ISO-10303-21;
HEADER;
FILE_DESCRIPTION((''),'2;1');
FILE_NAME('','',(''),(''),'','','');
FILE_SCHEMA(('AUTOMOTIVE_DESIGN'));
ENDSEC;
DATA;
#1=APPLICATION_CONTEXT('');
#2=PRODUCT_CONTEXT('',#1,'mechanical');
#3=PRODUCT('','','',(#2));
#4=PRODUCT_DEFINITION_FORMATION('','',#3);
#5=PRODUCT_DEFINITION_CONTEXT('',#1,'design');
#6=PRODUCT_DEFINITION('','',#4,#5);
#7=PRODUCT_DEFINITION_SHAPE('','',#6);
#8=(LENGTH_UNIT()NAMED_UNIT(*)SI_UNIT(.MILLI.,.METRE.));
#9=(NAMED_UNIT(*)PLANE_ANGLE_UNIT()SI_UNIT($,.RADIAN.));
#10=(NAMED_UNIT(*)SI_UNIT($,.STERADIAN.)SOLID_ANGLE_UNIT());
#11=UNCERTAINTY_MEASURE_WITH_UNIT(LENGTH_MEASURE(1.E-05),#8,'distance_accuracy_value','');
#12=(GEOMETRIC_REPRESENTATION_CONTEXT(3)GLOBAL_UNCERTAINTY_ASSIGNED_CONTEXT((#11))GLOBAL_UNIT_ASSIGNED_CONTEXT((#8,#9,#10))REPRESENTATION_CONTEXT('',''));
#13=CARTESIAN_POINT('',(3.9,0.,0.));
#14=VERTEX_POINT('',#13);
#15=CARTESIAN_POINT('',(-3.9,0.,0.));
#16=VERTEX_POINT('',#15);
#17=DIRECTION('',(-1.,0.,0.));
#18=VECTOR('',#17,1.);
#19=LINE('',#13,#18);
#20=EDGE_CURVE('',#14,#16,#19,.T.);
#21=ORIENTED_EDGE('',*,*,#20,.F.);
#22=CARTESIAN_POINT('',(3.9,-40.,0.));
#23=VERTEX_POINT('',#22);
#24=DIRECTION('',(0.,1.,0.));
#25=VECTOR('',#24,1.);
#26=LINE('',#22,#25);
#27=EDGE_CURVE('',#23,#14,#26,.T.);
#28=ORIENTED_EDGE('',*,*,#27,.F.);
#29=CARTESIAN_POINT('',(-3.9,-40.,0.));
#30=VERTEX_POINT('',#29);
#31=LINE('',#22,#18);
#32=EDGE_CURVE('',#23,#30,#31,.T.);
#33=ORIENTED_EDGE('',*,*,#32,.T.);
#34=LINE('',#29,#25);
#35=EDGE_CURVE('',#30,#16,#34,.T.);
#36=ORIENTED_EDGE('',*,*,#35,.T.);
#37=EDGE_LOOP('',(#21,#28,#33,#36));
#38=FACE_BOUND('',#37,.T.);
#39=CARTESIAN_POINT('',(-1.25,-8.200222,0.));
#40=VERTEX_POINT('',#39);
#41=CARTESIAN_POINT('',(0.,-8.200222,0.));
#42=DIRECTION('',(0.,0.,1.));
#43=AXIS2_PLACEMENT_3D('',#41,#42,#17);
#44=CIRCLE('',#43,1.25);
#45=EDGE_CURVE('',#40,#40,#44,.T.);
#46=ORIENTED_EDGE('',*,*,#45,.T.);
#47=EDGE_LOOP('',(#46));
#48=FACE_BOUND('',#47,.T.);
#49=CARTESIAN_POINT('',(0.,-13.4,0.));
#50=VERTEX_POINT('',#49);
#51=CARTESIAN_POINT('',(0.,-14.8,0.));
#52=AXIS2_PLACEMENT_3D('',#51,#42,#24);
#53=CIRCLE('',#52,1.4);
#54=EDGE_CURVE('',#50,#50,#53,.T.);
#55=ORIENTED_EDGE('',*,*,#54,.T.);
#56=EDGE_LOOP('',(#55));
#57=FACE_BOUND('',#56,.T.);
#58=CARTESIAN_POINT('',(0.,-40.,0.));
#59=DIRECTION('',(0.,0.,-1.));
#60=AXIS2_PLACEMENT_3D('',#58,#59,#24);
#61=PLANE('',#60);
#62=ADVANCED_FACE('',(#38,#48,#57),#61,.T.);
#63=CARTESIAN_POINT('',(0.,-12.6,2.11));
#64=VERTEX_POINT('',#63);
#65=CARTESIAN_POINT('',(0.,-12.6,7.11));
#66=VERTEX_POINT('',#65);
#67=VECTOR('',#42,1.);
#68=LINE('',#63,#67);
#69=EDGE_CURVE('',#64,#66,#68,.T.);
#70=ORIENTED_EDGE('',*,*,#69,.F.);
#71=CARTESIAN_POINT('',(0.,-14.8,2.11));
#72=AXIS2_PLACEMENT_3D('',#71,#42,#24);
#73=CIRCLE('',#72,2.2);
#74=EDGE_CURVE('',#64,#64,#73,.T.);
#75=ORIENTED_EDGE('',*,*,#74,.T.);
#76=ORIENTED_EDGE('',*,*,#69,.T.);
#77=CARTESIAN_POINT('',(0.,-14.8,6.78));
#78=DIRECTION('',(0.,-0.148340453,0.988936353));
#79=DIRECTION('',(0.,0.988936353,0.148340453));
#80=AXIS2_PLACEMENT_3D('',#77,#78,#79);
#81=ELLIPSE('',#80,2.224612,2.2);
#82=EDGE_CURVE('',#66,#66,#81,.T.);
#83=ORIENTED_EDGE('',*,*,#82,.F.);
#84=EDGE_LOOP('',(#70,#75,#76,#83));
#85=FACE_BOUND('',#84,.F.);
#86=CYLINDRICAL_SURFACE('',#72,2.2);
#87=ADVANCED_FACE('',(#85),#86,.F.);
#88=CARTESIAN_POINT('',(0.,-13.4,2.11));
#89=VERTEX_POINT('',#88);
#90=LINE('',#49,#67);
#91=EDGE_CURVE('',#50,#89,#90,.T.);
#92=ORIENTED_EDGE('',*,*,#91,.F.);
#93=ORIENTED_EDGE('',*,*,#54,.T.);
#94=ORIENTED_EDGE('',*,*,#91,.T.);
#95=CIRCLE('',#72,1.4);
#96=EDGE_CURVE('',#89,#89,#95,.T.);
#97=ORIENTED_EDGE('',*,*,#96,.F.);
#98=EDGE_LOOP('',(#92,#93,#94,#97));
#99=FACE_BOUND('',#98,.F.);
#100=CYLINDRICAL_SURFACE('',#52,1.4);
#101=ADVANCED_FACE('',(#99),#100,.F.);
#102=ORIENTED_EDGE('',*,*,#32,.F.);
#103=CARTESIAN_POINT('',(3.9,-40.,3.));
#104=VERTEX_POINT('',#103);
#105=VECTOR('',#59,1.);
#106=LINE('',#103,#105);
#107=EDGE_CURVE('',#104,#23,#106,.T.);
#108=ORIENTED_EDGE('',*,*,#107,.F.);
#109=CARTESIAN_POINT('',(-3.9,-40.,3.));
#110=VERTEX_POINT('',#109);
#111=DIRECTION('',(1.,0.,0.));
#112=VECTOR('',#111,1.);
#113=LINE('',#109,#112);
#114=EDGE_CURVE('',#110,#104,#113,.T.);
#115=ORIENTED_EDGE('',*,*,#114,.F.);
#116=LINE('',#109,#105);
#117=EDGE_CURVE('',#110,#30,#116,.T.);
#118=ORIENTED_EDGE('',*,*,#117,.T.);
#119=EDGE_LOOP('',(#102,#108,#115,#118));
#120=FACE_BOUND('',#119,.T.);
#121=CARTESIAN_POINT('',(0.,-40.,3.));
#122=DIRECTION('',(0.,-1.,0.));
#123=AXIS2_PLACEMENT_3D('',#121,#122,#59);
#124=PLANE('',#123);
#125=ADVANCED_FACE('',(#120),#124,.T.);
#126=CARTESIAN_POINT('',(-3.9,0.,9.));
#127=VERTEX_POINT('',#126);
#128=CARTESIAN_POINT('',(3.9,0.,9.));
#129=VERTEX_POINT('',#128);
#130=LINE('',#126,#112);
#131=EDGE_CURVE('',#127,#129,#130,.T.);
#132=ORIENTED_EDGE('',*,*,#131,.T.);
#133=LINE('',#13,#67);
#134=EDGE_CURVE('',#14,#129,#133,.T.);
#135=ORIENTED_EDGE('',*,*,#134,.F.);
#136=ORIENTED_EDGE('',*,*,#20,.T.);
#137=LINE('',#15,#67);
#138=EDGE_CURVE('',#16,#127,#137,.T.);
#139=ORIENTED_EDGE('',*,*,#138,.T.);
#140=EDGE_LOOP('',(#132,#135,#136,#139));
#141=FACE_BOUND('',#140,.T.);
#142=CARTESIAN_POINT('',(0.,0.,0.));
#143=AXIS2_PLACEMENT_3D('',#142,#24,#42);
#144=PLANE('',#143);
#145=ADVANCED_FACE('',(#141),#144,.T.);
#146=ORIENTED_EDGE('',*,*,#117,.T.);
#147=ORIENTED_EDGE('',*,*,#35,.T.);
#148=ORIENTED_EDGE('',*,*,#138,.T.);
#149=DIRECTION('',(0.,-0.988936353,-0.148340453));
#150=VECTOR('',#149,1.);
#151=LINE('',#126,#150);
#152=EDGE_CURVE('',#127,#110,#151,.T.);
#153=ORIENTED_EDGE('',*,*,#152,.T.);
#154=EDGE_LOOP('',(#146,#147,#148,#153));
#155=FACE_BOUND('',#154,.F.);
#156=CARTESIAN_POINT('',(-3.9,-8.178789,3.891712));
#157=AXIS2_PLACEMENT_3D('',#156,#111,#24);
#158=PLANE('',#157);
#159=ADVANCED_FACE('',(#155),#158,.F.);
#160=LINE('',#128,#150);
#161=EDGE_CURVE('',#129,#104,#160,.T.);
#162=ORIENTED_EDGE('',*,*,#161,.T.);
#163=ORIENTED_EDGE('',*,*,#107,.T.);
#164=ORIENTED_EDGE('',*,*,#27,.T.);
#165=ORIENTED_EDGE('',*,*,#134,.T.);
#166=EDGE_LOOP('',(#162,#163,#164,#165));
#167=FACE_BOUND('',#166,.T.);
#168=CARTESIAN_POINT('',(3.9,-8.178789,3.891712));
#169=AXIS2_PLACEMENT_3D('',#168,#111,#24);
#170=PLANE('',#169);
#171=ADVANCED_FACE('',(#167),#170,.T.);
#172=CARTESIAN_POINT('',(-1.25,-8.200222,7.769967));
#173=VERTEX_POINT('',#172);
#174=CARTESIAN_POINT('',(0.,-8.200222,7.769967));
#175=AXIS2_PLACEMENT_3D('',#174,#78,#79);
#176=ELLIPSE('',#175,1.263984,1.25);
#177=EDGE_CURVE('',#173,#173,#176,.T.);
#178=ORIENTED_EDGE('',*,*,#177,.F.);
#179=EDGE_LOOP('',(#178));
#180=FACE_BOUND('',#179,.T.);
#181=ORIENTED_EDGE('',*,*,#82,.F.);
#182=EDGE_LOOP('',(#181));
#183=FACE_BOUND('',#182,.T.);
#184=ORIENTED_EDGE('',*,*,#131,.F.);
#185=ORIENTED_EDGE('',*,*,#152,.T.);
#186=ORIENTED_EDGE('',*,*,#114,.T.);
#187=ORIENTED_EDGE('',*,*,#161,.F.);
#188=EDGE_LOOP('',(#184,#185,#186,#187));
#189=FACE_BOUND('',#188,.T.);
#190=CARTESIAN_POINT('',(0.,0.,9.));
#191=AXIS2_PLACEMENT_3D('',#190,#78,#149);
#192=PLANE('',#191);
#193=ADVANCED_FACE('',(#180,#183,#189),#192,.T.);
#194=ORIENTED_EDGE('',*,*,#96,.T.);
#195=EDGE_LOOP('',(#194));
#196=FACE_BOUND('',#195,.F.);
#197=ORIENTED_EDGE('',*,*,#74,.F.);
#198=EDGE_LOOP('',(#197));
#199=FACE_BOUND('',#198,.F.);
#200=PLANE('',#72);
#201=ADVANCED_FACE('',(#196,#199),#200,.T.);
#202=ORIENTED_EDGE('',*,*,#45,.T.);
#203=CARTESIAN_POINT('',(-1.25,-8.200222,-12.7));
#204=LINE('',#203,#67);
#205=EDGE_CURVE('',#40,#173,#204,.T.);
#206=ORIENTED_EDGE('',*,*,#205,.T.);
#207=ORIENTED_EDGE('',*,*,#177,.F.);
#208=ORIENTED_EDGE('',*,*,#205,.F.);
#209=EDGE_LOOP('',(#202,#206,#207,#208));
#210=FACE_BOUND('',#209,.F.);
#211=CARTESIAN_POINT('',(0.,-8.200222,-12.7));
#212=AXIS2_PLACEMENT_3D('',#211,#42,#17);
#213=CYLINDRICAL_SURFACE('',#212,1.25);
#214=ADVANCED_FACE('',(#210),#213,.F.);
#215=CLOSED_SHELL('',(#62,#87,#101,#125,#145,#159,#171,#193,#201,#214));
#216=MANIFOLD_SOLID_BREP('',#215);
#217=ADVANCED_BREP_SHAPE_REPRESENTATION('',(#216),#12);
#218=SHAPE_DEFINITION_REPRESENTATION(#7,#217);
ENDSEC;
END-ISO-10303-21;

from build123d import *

# Parameters (mm, degrees)
F1_DEPTH = 3.9
F3_D     = 2.5
F3_DEPTH = 12.7
F4_D     = 2.5
F4_DEPTH = 12.7


with BuildPart() as f1:
    # F0 (on Right) → F1 (new body, symmetric)
    with BuildSketch(Plane.YZ):
        Polygon((-9.4, 0), (-7, 0), (-7, 7.95), (-9.4, 7.59), align=None)
        Polygon((-40, 0), (-16.2, 0), (-16.2, 2.11), (-17, 2.11), (-17, 4.11), (-17, 6.45), (-40, 3), align=None)
        Polygon((-14.8, 0), (-13.4, 0), (-13.4, 2.11), (-12.6, 2.11), (-12.6, 4.11), (-12.6, 7.11), (-14.8, 6.78), align=None)
        Polygon((-7, 0), (0, 0), (0, 9), (-7, 7.95), align=None)
        Polygon((-16.2, 0), (-14.8, 0), (-14.8, 6.78), (-17, 6.45), (-17, 4.11), (-17, 2.11), (-16.2, 2.11), align=None)
        Polygon((-13.4, 0), (-9.4, 0), (-9.4, 7.59), (-12.6, 7.11), (-12.6, 4.11), (-12.6, 2.11), (-13.4, 2.11), align=None)
    extrude(amount=F1_DEPTH, both=True)

    # F3
    with Locations(Plane(origin=(0, 0, 0), x_dir=(1, 0, 0), z_dir=(0, 0, -1))):
        with Locations((0, 8.200222)):
            Hole(F3_D / 2, depth=F3_DEPTH)

    # F4
    with Locations(Plane(origin=(0, 0, 0), x_dir=(1, 0, 0), z_dir=(0, 0, -1))):
        with Locations((0, 14.799741)):
            Hole(F4_D / 2, depth=F4_DEPTH)

    # F0 (on Right) → F5 (revolve, cut)
    with BuildSketch(Plane.YZ):
        Polygon((-14.8, 0), (-13.4, 0), (-13.4, 2.11), (-12.6, 2.11), (-12.6, 4.11), (-12.6, 7.11), (-14.8, 6.78), align=None)
    revolve(axis=Axis((0, -14.8, 3.39), (0, 0, 1)), mode=Mode.SUBTRACT)


solid = f1.part
